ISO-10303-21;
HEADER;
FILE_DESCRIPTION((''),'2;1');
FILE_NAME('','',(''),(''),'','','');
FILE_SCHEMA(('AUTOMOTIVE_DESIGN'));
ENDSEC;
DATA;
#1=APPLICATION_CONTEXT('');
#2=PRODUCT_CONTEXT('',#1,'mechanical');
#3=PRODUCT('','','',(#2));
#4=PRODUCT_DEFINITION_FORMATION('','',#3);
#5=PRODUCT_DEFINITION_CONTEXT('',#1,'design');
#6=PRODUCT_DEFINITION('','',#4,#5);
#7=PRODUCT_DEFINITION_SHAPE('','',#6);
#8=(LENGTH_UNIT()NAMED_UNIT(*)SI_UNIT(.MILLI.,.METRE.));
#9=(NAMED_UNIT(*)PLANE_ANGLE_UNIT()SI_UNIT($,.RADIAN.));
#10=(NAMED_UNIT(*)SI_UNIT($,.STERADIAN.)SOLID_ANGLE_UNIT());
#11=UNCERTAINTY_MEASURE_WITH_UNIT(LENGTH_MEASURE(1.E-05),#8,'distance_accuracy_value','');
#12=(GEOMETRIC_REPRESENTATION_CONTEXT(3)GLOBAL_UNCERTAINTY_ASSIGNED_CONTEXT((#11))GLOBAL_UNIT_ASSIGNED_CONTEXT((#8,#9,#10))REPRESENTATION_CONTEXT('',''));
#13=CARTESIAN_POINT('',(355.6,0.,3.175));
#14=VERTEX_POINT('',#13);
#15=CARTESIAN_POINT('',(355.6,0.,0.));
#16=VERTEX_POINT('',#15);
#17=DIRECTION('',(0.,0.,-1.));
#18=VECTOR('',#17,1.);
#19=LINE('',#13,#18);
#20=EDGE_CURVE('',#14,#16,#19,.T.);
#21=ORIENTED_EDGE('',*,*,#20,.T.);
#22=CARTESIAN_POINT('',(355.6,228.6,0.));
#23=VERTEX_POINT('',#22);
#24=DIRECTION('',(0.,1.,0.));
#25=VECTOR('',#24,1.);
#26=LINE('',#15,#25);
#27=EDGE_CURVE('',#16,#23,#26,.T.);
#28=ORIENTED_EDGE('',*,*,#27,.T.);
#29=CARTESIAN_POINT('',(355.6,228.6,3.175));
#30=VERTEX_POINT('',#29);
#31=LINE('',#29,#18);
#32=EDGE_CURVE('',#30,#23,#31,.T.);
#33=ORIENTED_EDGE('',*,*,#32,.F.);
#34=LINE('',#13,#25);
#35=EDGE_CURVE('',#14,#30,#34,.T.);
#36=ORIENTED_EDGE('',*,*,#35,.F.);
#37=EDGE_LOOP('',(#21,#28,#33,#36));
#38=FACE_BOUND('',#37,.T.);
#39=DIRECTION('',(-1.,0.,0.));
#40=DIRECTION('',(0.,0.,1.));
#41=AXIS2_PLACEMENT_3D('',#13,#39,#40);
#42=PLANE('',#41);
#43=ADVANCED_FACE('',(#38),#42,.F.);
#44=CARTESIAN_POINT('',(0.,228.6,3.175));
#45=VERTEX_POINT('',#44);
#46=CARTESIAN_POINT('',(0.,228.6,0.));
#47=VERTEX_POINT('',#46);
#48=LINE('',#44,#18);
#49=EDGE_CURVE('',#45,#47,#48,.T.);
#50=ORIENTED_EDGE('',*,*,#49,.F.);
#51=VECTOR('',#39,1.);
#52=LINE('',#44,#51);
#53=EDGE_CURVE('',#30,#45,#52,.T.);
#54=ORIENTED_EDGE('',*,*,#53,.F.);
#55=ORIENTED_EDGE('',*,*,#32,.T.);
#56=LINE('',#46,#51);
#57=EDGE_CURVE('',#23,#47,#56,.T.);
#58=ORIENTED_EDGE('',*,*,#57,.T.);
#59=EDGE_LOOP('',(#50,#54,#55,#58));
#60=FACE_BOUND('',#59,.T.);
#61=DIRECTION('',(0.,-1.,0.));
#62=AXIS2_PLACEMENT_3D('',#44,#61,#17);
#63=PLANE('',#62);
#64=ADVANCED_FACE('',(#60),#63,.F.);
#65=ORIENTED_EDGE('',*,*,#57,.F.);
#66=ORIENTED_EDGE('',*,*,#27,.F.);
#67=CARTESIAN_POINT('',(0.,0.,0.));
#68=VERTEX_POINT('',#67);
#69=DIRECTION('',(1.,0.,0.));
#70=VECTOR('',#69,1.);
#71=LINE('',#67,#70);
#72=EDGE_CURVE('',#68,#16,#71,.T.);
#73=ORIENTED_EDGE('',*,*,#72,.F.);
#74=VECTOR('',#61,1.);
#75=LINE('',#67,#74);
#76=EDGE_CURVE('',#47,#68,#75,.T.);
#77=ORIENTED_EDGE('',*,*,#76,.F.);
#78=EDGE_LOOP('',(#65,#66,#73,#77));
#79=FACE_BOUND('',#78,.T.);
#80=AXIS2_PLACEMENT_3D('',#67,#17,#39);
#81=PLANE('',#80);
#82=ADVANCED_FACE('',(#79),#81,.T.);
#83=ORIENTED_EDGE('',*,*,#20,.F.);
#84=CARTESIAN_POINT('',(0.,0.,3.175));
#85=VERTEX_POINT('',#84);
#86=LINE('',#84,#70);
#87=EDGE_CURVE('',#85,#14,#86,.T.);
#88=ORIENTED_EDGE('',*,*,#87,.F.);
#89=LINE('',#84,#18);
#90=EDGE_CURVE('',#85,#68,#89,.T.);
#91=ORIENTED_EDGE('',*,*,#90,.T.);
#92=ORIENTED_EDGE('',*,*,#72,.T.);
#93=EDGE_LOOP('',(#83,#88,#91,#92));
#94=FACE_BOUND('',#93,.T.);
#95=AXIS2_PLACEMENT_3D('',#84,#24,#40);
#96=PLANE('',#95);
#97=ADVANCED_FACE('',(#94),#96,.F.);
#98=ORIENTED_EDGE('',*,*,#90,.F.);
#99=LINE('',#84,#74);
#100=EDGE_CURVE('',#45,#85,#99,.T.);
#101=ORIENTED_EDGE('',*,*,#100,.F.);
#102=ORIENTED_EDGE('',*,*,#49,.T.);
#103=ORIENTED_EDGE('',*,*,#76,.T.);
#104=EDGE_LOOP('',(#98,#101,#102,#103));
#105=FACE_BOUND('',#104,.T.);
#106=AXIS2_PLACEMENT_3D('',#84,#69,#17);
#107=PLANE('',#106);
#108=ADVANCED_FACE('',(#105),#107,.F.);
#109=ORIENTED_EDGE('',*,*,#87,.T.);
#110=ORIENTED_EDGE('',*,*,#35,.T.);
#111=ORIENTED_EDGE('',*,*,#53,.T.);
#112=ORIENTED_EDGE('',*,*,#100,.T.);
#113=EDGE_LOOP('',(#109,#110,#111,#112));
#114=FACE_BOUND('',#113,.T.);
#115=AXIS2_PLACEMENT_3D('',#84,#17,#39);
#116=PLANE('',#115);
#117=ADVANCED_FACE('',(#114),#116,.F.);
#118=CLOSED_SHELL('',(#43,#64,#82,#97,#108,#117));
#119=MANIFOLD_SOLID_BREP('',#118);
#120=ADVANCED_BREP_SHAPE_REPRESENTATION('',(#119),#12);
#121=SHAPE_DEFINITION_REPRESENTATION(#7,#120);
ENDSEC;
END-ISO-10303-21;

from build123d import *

# Parameters (mm, degrees)
SKETCH1_W           = 355.6
SKETCH1_H           = 228.6
BOSS_EXTRUDE1_DEPTH = 3.175


with BuildPart() as part:
    # Sketch1 → Boss-Extrude1 (new body)
    with BuildSketch(Plane.XY):
        with Locations((177.8, 114.3)):
            Rectangle(SKETCH1_W, SKETCH1_H)
    extrude(amount=BOSS_EXTRUDE1_DEPTH)


solid = part.part
